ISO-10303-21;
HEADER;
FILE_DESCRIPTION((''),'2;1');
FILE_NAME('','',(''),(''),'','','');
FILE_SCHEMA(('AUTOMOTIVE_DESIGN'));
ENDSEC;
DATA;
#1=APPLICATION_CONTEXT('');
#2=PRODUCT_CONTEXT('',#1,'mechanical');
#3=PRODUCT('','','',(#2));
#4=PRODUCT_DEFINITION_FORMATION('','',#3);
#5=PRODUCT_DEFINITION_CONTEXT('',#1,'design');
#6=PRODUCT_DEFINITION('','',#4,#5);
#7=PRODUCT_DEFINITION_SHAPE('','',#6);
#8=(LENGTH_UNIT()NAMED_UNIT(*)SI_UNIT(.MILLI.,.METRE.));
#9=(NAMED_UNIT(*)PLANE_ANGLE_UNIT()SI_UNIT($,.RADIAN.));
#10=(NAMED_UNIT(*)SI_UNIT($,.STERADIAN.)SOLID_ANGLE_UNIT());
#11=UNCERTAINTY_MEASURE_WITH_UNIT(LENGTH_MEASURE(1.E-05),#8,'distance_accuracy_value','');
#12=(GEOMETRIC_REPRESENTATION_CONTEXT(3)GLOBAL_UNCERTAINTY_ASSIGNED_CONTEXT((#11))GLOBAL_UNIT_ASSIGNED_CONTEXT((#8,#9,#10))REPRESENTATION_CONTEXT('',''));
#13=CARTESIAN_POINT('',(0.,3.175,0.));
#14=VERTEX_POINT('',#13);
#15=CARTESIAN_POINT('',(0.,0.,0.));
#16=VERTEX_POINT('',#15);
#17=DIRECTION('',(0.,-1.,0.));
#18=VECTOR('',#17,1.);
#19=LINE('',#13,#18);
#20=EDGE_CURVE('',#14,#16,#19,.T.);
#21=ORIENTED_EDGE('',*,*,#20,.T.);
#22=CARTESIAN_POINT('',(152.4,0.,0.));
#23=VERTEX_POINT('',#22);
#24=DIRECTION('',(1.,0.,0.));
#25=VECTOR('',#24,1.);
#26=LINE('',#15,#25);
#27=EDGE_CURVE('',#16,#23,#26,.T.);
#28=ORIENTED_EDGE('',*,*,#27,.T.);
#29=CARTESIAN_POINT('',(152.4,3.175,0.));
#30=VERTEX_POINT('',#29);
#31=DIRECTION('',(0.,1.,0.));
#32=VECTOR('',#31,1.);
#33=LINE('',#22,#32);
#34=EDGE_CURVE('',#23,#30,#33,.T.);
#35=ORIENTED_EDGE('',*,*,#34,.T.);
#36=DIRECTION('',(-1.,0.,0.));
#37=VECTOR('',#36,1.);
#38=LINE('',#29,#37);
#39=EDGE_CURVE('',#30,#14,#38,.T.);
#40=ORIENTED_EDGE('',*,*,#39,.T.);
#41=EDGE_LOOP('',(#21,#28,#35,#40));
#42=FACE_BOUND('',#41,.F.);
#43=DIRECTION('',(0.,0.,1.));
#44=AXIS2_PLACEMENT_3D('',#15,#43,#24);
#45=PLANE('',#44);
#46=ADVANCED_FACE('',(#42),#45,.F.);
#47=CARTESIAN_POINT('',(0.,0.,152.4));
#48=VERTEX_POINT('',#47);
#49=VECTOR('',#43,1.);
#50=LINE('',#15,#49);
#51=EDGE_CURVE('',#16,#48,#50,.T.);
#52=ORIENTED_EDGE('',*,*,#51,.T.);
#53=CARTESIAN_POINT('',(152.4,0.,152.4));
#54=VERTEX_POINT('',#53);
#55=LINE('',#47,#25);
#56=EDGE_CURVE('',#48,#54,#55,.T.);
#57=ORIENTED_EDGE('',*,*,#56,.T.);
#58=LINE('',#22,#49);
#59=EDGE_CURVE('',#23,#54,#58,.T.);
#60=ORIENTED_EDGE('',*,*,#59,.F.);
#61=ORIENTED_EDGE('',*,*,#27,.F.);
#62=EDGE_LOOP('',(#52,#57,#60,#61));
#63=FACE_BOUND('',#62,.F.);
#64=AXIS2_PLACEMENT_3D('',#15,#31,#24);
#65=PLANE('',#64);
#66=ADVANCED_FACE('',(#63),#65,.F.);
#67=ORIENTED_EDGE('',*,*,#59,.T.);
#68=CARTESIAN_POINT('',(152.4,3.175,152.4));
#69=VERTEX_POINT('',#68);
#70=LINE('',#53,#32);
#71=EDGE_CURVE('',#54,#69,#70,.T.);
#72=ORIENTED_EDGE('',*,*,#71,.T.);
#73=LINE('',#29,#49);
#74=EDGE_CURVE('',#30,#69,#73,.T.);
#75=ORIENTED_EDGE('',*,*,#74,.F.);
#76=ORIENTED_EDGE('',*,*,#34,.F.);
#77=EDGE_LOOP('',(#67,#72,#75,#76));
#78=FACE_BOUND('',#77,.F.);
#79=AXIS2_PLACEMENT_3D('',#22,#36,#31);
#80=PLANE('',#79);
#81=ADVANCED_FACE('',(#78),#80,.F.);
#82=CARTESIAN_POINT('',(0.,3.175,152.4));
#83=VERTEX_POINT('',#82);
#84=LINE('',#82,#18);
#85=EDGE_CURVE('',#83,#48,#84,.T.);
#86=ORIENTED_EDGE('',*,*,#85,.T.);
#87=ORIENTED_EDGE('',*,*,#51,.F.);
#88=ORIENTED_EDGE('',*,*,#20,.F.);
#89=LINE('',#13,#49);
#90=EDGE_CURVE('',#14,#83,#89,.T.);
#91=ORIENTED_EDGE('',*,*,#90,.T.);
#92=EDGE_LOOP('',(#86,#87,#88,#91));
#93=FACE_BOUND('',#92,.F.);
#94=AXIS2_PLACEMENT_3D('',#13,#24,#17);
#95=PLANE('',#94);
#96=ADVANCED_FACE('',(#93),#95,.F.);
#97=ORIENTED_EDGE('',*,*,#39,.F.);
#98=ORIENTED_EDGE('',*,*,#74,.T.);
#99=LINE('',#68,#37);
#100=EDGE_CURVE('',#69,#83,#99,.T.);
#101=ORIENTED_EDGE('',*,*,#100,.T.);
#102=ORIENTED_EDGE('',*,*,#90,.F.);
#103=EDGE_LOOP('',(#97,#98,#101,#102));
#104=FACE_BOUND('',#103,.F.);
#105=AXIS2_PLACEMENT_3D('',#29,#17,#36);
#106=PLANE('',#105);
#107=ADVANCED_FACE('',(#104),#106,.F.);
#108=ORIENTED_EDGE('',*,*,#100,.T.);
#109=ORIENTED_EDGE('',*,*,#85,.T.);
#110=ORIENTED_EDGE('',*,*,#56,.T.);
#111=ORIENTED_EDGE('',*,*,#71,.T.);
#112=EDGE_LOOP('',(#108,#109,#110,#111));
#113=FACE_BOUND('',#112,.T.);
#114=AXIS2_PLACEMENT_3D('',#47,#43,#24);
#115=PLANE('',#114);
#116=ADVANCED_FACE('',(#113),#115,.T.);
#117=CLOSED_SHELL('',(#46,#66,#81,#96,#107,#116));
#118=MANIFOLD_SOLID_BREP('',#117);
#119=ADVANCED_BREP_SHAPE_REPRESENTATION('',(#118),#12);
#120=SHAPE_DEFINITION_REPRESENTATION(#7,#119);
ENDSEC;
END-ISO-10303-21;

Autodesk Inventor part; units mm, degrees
ref_plane "YZ Plane" through (0, 0, 0) normal (1, 0, 0) x (0, 1, 0)
ref_plane "XZ Plane" through (0, 0, 0) normal (0, 1, 0) x (-1, 0, 0)
ref_plane "XY Plane" through (0, 0, 0) normal (0, 0, 1) x (1, 0, 0)
sketch "Sketch1" plane through (0, 0, 0) normal (0, 0, 1) x (1, 0, 0)
  line L0 (0, 0) -> (152.4, 0)
  line L1 (152.4, 0) -> (152.4, 3.175)
  line L2 (152.4, 3.175) -> (0, 3.175)
  line L3 (0, 3.175) -> (0, 0)
  dimension "d0" = 3.175
  dimension "d1" = 152.4
extrude "Extrusion1" add sketch "Sketch1" along normal blind 152.4
properties part number "MotorJaguarBoard" material "ABS Plastic"
